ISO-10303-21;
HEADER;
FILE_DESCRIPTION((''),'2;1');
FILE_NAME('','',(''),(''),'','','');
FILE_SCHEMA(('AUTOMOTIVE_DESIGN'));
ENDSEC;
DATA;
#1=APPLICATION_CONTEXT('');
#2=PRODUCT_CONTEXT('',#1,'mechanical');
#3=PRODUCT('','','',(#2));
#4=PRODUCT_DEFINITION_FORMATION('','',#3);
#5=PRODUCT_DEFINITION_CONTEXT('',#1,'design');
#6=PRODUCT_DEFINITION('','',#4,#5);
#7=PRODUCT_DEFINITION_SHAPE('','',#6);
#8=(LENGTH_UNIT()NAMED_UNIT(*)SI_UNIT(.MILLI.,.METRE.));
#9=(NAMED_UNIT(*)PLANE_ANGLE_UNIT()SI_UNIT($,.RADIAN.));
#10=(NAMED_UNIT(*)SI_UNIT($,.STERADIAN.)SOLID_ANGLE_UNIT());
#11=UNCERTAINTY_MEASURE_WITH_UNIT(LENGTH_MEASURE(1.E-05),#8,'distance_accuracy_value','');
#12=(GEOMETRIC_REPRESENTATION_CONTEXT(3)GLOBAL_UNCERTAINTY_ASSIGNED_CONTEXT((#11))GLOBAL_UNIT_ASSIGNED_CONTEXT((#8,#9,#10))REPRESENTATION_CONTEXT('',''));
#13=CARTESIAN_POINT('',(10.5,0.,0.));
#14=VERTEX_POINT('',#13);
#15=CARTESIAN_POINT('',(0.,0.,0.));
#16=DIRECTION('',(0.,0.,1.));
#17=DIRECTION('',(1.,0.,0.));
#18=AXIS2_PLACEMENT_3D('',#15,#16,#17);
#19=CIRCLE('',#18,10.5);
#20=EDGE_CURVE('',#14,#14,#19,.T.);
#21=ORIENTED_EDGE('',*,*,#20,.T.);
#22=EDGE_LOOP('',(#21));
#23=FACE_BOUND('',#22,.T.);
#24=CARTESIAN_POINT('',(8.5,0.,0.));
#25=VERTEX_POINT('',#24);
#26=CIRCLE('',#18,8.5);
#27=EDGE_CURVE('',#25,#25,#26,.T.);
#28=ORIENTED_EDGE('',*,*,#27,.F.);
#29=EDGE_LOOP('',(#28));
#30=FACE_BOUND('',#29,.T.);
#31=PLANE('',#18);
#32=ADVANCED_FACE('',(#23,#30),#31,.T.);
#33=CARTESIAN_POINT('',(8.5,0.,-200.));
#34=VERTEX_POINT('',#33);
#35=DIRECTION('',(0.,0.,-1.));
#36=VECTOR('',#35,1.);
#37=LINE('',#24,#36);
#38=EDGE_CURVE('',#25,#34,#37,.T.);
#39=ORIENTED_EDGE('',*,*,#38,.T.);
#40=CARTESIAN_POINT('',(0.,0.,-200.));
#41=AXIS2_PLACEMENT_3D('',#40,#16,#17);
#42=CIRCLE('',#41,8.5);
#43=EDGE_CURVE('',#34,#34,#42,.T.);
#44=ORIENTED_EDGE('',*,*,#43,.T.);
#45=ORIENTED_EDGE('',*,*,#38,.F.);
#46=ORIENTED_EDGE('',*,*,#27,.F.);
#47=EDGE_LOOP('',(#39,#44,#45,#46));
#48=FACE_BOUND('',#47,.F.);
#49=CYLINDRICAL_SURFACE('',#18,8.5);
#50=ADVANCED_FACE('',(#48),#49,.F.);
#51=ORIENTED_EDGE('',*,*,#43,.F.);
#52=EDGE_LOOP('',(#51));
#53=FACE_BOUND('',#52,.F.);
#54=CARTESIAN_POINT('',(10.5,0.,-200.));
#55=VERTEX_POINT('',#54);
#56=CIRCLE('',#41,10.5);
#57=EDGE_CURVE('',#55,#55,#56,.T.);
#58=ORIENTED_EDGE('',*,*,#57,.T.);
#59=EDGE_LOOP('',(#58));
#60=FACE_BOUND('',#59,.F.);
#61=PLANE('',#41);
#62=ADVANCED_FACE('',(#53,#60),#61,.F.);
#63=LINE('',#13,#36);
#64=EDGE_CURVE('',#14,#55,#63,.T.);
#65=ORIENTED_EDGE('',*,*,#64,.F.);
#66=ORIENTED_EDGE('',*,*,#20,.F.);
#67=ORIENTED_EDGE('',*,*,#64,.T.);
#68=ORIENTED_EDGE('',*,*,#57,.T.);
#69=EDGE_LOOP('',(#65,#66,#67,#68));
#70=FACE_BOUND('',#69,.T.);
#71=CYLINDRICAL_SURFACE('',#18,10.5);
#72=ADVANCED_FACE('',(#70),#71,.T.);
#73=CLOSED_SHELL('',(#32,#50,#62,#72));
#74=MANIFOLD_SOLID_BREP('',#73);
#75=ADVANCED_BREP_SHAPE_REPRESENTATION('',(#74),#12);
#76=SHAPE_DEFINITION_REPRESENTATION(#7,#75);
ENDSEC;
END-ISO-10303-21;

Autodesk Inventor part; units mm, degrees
ref_plane "YZ Plane" through (0, 0, 0) normal (1, 0, 0) x (0, 1, 0)
ref_plane "XZ Plane" through (0, 0, 0) normal (0, 1, 0) x (-1, 0, 0)
ref_plane "XY Plane" through (0, 0, 0) normal (0, 0, 1) x (1, 0, 0)
sketch "Sketch11" plane through (0, 0, 0) normal (0, 0, 1) x (1, 0, 0)
  circle A0 centre (0, 0) radius 10.5
  circle A1 centre (0, 0) radius 8.5
  dimension "d187" = 21
  dimension "d188" = 2
extrude "Extrusion5" add sketch "Sketch11" against normal blind 200
properties part number "TKS 3547 FDS thread  tube7" material "Stainless Steel"
